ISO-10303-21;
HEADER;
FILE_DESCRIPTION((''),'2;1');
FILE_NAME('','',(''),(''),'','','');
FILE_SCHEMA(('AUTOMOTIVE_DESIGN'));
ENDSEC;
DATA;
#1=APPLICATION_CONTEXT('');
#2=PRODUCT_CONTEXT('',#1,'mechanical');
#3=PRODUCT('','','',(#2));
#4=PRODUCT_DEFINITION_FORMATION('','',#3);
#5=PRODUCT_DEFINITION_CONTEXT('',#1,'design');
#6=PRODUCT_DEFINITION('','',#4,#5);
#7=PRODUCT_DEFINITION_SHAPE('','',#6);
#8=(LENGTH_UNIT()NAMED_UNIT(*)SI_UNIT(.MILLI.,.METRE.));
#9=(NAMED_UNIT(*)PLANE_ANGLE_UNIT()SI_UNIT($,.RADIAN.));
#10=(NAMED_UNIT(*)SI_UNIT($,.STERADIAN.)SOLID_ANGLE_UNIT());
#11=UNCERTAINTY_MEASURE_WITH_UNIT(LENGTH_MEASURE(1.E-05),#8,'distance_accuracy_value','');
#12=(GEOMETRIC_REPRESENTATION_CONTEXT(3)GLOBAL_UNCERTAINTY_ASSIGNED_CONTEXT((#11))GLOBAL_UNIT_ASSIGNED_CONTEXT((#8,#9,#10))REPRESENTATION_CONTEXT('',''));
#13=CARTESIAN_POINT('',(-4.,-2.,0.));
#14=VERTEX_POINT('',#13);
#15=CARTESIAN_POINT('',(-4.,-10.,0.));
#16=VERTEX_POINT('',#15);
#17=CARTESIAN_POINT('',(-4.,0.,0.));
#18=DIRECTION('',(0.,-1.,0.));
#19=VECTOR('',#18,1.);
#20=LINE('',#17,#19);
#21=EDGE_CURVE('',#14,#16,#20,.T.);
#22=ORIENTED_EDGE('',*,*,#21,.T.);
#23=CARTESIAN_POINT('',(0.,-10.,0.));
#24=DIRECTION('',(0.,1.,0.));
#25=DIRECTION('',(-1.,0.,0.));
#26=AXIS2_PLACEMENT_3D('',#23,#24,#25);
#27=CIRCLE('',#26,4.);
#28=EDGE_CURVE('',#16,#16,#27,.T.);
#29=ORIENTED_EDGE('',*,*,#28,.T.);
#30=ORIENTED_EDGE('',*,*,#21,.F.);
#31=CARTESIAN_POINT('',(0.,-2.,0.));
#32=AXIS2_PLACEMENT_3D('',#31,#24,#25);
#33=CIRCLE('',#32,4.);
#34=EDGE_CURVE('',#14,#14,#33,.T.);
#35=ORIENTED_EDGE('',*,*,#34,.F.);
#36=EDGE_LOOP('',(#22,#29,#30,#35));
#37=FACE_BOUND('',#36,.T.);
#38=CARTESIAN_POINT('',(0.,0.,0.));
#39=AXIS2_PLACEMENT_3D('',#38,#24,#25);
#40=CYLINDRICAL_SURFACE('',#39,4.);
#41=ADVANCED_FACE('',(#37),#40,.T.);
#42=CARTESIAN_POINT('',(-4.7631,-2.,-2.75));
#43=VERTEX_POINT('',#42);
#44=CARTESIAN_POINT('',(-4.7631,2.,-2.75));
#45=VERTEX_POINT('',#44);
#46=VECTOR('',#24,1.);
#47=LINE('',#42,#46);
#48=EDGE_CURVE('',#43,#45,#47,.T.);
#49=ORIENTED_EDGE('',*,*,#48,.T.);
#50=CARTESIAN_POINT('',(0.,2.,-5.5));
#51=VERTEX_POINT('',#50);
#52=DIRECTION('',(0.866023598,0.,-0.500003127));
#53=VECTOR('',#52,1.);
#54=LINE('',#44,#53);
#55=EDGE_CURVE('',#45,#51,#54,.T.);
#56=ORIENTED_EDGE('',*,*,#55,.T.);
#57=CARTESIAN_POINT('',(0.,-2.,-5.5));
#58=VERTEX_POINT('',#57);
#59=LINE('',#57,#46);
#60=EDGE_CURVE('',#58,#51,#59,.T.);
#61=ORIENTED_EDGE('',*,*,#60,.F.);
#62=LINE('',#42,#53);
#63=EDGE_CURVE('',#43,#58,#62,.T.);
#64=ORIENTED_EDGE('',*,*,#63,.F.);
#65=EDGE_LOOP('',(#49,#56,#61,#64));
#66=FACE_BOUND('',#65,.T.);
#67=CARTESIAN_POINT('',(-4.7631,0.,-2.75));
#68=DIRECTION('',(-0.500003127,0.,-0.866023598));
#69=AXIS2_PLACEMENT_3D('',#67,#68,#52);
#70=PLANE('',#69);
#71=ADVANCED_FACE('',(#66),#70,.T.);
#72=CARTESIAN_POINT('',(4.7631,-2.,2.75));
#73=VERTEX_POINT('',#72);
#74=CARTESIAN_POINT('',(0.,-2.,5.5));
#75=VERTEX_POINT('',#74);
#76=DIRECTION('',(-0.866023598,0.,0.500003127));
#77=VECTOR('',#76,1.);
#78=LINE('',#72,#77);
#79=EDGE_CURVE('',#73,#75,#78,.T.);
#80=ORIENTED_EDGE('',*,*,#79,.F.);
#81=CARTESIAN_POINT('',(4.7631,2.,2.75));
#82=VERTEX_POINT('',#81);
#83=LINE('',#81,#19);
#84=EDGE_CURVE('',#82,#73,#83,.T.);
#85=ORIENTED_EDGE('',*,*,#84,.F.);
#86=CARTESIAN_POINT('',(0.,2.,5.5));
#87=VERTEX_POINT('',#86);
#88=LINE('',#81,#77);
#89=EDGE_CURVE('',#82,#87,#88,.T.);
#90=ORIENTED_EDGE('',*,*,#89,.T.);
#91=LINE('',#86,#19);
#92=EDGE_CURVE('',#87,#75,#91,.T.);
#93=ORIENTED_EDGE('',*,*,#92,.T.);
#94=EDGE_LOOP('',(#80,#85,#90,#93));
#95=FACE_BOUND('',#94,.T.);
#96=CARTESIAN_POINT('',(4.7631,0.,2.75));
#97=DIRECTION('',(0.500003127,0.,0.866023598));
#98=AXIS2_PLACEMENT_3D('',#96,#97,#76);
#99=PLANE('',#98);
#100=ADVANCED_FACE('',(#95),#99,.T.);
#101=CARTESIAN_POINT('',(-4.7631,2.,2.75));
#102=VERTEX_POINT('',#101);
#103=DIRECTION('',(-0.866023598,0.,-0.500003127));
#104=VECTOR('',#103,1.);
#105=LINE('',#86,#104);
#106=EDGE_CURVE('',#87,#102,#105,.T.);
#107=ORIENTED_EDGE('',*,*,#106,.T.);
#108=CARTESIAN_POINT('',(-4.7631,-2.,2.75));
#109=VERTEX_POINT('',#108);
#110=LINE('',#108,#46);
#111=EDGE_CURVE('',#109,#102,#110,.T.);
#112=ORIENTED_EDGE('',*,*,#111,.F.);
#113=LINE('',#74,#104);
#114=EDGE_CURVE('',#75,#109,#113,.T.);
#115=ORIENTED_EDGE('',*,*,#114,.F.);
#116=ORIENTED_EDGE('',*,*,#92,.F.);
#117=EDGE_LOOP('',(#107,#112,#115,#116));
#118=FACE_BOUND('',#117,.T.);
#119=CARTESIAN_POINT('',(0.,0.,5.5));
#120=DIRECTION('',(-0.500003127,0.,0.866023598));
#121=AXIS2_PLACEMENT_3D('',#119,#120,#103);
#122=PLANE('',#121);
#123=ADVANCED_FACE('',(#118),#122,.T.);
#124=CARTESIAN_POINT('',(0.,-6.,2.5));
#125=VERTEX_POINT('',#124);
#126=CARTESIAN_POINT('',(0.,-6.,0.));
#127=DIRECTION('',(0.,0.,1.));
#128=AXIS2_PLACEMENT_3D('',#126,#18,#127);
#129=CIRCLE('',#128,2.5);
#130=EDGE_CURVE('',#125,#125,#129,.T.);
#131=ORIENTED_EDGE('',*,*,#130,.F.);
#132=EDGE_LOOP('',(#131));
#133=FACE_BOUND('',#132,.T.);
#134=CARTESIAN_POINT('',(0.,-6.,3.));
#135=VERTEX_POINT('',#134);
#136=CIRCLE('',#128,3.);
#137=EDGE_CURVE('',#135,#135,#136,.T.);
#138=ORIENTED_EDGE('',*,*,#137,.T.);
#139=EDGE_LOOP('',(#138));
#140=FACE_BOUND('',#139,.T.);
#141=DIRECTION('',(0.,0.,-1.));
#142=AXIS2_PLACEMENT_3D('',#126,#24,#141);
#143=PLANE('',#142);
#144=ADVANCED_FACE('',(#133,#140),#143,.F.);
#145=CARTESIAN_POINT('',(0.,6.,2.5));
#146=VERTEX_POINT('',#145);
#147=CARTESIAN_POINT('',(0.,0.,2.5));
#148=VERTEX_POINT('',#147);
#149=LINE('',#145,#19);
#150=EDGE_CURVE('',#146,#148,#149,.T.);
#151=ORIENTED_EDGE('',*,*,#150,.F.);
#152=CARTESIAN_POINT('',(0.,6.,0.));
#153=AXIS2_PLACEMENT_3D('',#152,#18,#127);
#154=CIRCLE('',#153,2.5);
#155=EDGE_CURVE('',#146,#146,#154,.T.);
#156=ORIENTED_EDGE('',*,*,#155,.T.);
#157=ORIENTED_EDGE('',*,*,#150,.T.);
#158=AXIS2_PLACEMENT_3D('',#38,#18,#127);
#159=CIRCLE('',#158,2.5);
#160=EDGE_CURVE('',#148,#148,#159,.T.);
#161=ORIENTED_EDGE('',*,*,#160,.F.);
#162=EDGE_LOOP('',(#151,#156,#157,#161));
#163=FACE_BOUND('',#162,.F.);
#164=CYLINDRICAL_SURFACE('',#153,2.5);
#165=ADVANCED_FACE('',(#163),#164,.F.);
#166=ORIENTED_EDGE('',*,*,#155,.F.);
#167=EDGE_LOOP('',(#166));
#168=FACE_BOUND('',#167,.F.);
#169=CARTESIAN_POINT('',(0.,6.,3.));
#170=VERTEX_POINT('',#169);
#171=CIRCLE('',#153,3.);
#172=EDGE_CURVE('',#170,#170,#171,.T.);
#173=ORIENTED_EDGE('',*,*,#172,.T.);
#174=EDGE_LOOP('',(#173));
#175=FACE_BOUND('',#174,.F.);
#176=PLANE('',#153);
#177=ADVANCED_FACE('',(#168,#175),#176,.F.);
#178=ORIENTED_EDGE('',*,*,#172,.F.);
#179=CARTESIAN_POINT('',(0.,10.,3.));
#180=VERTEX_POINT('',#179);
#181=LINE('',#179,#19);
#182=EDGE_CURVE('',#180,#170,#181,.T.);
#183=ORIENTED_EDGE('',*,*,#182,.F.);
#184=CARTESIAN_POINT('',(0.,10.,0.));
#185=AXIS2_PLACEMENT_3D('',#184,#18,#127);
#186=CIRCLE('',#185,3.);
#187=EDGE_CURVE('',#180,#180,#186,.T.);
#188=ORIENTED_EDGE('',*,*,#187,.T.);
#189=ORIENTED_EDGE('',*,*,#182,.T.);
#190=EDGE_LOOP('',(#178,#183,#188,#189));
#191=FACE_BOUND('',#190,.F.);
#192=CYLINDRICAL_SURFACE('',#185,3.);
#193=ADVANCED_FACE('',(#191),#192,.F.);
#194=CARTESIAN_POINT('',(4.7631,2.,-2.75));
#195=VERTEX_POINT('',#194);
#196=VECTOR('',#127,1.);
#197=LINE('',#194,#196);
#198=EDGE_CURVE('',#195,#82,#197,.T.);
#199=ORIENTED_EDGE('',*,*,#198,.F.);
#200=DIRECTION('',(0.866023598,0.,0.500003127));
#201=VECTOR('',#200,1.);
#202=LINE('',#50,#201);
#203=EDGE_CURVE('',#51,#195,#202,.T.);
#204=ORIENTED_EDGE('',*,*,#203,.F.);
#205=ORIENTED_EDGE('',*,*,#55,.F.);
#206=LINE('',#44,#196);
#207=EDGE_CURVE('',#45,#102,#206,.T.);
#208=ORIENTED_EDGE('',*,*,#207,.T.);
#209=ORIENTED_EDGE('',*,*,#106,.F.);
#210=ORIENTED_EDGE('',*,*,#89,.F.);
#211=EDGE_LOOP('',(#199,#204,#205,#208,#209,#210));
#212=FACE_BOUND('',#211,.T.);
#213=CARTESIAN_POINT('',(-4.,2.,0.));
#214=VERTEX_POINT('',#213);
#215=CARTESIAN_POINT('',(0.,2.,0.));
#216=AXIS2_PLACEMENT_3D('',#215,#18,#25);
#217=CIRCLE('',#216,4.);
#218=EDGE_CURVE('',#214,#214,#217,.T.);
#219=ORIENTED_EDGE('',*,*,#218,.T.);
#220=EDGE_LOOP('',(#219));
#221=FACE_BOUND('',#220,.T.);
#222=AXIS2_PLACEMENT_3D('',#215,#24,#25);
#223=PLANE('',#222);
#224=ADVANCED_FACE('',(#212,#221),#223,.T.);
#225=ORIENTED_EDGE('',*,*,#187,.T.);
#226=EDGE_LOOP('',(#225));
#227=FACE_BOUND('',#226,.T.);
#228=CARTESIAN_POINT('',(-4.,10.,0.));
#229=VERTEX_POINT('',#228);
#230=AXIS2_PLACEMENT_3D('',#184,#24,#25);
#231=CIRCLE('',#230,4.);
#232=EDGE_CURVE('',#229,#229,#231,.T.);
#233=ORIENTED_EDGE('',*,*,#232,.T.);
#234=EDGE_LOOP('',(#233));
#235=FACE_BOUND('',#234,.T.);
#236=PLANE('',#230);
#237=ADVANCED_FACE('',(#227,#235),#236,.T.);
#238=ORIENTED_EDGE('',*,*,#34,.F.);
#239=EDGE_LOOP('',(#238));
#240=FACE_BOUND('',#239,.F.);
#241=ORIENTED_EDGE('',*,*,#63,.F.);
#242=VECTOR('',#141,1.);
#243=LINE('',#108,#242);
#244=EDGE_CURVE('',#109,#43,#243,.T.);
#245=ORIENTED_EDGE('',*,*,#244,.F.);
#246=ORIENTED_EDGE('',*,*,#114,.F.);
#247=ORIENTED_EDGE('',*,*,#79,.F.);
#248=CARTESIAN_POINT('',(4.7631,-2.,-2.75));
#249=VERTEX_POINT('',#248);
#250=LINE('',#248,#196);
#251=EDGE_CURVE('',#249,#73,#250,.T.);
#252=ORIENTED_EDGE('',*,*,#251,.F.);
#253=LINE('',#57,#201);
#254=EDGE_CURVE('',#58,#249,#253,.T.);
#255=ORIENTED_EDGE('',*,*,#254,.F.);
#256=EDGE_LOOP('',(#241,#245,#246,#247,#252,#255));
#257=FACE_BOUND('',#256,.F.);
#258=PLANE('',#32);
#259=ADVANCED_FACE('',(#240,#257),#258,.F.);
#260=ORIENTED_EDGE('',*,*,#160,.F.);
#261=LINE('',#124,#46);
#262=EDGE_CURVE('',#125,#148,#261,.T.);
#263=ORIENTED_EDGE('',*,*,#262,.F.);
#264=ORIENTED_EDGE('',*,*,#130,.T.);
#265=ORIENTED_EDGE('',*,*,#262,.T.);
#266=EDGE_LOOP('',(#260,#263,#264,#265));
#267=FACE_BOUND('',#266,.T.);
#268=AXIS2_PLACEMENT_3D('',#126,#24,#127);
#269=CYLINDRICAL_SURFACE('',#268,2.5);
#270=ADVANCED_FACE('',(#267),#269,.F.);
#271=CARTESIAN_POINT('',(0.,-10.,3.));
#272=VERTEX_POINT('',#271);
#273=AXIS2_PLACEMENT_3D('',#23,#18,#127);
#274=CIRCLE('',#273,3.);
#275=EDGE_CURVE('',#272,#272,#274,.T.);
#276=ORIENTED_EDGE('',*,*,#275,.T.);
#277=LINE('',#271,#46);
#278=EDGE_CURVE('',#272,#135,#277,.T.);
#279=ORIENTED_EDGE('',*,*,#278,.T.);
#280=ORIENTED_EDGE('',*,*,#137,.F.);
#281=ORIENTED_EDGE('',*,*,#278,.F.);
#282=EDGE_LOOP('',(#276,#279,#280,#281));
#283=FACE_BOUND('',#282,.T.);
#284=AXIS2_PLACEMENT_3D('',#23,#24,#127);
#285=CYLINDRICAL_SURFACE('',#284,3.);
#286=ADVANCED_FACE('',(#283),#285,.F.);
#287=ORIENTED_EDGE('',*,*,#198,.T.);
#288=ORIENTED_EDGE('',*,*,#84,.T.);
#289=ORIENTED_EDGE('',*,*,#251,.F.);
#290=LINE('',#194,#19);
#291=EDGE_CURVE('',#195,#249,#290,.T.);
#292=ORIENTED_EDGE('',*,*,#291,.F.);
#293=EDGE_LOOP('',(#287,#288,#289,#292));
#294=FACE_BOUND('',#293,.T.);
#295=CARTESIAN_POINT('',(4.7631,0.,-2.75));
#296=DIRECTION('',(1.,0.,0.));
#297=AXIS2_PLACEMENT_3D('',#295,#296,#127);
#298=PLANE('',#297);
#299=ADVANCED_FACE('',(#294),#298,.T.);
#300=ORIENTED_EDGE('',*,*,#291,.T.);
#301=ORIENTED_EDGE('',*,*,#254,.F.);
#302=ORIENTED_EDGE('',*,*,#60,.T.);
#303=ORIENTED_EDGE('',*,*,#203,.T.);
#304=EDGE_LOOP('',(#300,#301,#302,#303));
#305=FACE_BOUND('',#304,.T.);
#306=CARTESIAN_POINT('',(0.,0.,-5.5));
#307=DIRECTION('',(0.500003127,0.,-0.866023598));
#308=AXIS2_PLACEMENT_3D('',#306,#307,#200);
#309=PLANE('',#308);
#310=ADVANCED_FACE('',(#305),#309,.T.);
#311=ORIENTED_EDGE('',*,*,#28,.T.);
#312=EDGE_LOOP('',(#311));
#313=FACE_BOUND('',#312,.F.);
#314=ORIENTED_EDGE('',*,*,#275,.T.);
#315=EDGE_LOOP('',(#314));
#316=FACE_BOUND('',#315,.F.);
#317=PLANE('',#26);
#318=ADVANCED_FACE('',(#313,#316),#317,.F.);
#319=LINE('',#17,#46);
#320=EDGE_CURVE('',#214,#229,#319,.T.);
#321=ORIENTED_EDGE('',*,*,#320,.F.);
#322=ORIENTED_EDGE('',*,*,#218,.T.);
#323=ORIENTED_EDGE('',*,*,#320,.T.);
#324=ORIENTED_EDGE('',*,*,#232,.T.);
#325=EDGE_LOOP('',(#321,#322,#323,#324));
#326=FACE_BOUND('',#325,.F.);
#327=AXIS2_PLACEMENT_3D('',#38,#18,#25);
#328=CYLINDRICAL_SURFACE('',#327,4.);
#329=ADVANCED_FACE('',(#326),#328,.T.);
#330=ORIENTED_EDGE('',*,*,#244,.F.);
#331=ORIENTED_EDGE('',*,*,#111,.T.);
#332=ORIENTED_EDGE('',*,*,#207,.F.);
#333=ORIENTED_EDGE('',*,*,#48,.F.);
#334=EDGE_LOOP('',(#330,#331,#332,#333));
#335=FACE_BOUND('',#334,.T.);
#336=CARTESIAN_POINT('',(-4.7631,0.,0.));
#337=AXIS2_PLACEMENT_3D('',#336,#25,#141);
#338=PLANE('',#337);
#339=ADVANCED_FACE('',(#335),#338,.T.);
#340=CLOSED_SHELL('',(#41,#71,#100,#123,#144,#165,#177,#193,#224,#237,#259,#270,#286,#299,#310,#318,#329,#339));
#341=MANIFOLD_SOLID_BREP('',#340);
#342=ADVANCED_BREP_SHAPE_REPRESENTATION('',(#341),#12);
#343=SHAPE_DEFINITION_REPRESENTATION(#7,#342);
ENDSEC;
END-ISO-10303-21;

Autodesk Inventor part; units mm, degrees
ref_plane "YZ Plane" through (0, 0, 0) normal (1, 0, 0) x (0, 1, 0)
ref_plane "XY Plane" through (0, 0, 0) normal (0, 0, 1) x (1, 0, 0)
sketch "Sketch1" plane through (0, 0, 0) normal (0, 1, 0) x (-1, 0, 0)
  line L0 (0, 0) -> (5.5, 0)
  line L1 (0, 0) -> (0, -5.5)
  line L2 (0, -5.5) -> (-4.7631, -2.75)
  line L3 (-4.7631, -2.75) -> (-4.7631, 2.75)
  line L4 (-4.7631, 2.75) -> (0, 5.5)
  line L5 (0, 5.5) -> (4.7631, 2.75)
  line L6 (4.7631, 2.75) -> (4.7631, -2.75)
  line L7 (4.7631, -2.75) -> (0, -5.5)
  dimension "d0" = 5.5
  dimension "d1" = 5.5
extrude "Extrusion1" add sketch "Sketch1" along normal mid plane 4
sketch "Sketch2" plane through (0, 0, 0) normal (0, 1, 0) x (-1, 0, 0)
  circle A0 centre (0, 0) radius 4
  dimension "d4" = 8
extrude "Extrusion2" add sketch "Sketch2" along normal mid plane 20
sketch "Sketch3" plane through (0, 10, 0) normal (0, 1, 0) x (1, 0, 0)
  circle A0 centre (0, 0) radius 3
  dimension "d7" = 6
hole "Hole1" at (0, 10, 0) direction (0, -1, 0) diameter 5 depth 10 tip angle 118 counterbore diameter 6 counterbore depth 4
ref_plane "Work Plane1" through (0, 0, 0) normal (0, 1, 0) x (-1, 0, 0)
mirror "Mirror1" about plane through (0, 0, 0) normal (0, 1, 0) of "Hole1"
properties part number "Inlet Pipe Nipple"
